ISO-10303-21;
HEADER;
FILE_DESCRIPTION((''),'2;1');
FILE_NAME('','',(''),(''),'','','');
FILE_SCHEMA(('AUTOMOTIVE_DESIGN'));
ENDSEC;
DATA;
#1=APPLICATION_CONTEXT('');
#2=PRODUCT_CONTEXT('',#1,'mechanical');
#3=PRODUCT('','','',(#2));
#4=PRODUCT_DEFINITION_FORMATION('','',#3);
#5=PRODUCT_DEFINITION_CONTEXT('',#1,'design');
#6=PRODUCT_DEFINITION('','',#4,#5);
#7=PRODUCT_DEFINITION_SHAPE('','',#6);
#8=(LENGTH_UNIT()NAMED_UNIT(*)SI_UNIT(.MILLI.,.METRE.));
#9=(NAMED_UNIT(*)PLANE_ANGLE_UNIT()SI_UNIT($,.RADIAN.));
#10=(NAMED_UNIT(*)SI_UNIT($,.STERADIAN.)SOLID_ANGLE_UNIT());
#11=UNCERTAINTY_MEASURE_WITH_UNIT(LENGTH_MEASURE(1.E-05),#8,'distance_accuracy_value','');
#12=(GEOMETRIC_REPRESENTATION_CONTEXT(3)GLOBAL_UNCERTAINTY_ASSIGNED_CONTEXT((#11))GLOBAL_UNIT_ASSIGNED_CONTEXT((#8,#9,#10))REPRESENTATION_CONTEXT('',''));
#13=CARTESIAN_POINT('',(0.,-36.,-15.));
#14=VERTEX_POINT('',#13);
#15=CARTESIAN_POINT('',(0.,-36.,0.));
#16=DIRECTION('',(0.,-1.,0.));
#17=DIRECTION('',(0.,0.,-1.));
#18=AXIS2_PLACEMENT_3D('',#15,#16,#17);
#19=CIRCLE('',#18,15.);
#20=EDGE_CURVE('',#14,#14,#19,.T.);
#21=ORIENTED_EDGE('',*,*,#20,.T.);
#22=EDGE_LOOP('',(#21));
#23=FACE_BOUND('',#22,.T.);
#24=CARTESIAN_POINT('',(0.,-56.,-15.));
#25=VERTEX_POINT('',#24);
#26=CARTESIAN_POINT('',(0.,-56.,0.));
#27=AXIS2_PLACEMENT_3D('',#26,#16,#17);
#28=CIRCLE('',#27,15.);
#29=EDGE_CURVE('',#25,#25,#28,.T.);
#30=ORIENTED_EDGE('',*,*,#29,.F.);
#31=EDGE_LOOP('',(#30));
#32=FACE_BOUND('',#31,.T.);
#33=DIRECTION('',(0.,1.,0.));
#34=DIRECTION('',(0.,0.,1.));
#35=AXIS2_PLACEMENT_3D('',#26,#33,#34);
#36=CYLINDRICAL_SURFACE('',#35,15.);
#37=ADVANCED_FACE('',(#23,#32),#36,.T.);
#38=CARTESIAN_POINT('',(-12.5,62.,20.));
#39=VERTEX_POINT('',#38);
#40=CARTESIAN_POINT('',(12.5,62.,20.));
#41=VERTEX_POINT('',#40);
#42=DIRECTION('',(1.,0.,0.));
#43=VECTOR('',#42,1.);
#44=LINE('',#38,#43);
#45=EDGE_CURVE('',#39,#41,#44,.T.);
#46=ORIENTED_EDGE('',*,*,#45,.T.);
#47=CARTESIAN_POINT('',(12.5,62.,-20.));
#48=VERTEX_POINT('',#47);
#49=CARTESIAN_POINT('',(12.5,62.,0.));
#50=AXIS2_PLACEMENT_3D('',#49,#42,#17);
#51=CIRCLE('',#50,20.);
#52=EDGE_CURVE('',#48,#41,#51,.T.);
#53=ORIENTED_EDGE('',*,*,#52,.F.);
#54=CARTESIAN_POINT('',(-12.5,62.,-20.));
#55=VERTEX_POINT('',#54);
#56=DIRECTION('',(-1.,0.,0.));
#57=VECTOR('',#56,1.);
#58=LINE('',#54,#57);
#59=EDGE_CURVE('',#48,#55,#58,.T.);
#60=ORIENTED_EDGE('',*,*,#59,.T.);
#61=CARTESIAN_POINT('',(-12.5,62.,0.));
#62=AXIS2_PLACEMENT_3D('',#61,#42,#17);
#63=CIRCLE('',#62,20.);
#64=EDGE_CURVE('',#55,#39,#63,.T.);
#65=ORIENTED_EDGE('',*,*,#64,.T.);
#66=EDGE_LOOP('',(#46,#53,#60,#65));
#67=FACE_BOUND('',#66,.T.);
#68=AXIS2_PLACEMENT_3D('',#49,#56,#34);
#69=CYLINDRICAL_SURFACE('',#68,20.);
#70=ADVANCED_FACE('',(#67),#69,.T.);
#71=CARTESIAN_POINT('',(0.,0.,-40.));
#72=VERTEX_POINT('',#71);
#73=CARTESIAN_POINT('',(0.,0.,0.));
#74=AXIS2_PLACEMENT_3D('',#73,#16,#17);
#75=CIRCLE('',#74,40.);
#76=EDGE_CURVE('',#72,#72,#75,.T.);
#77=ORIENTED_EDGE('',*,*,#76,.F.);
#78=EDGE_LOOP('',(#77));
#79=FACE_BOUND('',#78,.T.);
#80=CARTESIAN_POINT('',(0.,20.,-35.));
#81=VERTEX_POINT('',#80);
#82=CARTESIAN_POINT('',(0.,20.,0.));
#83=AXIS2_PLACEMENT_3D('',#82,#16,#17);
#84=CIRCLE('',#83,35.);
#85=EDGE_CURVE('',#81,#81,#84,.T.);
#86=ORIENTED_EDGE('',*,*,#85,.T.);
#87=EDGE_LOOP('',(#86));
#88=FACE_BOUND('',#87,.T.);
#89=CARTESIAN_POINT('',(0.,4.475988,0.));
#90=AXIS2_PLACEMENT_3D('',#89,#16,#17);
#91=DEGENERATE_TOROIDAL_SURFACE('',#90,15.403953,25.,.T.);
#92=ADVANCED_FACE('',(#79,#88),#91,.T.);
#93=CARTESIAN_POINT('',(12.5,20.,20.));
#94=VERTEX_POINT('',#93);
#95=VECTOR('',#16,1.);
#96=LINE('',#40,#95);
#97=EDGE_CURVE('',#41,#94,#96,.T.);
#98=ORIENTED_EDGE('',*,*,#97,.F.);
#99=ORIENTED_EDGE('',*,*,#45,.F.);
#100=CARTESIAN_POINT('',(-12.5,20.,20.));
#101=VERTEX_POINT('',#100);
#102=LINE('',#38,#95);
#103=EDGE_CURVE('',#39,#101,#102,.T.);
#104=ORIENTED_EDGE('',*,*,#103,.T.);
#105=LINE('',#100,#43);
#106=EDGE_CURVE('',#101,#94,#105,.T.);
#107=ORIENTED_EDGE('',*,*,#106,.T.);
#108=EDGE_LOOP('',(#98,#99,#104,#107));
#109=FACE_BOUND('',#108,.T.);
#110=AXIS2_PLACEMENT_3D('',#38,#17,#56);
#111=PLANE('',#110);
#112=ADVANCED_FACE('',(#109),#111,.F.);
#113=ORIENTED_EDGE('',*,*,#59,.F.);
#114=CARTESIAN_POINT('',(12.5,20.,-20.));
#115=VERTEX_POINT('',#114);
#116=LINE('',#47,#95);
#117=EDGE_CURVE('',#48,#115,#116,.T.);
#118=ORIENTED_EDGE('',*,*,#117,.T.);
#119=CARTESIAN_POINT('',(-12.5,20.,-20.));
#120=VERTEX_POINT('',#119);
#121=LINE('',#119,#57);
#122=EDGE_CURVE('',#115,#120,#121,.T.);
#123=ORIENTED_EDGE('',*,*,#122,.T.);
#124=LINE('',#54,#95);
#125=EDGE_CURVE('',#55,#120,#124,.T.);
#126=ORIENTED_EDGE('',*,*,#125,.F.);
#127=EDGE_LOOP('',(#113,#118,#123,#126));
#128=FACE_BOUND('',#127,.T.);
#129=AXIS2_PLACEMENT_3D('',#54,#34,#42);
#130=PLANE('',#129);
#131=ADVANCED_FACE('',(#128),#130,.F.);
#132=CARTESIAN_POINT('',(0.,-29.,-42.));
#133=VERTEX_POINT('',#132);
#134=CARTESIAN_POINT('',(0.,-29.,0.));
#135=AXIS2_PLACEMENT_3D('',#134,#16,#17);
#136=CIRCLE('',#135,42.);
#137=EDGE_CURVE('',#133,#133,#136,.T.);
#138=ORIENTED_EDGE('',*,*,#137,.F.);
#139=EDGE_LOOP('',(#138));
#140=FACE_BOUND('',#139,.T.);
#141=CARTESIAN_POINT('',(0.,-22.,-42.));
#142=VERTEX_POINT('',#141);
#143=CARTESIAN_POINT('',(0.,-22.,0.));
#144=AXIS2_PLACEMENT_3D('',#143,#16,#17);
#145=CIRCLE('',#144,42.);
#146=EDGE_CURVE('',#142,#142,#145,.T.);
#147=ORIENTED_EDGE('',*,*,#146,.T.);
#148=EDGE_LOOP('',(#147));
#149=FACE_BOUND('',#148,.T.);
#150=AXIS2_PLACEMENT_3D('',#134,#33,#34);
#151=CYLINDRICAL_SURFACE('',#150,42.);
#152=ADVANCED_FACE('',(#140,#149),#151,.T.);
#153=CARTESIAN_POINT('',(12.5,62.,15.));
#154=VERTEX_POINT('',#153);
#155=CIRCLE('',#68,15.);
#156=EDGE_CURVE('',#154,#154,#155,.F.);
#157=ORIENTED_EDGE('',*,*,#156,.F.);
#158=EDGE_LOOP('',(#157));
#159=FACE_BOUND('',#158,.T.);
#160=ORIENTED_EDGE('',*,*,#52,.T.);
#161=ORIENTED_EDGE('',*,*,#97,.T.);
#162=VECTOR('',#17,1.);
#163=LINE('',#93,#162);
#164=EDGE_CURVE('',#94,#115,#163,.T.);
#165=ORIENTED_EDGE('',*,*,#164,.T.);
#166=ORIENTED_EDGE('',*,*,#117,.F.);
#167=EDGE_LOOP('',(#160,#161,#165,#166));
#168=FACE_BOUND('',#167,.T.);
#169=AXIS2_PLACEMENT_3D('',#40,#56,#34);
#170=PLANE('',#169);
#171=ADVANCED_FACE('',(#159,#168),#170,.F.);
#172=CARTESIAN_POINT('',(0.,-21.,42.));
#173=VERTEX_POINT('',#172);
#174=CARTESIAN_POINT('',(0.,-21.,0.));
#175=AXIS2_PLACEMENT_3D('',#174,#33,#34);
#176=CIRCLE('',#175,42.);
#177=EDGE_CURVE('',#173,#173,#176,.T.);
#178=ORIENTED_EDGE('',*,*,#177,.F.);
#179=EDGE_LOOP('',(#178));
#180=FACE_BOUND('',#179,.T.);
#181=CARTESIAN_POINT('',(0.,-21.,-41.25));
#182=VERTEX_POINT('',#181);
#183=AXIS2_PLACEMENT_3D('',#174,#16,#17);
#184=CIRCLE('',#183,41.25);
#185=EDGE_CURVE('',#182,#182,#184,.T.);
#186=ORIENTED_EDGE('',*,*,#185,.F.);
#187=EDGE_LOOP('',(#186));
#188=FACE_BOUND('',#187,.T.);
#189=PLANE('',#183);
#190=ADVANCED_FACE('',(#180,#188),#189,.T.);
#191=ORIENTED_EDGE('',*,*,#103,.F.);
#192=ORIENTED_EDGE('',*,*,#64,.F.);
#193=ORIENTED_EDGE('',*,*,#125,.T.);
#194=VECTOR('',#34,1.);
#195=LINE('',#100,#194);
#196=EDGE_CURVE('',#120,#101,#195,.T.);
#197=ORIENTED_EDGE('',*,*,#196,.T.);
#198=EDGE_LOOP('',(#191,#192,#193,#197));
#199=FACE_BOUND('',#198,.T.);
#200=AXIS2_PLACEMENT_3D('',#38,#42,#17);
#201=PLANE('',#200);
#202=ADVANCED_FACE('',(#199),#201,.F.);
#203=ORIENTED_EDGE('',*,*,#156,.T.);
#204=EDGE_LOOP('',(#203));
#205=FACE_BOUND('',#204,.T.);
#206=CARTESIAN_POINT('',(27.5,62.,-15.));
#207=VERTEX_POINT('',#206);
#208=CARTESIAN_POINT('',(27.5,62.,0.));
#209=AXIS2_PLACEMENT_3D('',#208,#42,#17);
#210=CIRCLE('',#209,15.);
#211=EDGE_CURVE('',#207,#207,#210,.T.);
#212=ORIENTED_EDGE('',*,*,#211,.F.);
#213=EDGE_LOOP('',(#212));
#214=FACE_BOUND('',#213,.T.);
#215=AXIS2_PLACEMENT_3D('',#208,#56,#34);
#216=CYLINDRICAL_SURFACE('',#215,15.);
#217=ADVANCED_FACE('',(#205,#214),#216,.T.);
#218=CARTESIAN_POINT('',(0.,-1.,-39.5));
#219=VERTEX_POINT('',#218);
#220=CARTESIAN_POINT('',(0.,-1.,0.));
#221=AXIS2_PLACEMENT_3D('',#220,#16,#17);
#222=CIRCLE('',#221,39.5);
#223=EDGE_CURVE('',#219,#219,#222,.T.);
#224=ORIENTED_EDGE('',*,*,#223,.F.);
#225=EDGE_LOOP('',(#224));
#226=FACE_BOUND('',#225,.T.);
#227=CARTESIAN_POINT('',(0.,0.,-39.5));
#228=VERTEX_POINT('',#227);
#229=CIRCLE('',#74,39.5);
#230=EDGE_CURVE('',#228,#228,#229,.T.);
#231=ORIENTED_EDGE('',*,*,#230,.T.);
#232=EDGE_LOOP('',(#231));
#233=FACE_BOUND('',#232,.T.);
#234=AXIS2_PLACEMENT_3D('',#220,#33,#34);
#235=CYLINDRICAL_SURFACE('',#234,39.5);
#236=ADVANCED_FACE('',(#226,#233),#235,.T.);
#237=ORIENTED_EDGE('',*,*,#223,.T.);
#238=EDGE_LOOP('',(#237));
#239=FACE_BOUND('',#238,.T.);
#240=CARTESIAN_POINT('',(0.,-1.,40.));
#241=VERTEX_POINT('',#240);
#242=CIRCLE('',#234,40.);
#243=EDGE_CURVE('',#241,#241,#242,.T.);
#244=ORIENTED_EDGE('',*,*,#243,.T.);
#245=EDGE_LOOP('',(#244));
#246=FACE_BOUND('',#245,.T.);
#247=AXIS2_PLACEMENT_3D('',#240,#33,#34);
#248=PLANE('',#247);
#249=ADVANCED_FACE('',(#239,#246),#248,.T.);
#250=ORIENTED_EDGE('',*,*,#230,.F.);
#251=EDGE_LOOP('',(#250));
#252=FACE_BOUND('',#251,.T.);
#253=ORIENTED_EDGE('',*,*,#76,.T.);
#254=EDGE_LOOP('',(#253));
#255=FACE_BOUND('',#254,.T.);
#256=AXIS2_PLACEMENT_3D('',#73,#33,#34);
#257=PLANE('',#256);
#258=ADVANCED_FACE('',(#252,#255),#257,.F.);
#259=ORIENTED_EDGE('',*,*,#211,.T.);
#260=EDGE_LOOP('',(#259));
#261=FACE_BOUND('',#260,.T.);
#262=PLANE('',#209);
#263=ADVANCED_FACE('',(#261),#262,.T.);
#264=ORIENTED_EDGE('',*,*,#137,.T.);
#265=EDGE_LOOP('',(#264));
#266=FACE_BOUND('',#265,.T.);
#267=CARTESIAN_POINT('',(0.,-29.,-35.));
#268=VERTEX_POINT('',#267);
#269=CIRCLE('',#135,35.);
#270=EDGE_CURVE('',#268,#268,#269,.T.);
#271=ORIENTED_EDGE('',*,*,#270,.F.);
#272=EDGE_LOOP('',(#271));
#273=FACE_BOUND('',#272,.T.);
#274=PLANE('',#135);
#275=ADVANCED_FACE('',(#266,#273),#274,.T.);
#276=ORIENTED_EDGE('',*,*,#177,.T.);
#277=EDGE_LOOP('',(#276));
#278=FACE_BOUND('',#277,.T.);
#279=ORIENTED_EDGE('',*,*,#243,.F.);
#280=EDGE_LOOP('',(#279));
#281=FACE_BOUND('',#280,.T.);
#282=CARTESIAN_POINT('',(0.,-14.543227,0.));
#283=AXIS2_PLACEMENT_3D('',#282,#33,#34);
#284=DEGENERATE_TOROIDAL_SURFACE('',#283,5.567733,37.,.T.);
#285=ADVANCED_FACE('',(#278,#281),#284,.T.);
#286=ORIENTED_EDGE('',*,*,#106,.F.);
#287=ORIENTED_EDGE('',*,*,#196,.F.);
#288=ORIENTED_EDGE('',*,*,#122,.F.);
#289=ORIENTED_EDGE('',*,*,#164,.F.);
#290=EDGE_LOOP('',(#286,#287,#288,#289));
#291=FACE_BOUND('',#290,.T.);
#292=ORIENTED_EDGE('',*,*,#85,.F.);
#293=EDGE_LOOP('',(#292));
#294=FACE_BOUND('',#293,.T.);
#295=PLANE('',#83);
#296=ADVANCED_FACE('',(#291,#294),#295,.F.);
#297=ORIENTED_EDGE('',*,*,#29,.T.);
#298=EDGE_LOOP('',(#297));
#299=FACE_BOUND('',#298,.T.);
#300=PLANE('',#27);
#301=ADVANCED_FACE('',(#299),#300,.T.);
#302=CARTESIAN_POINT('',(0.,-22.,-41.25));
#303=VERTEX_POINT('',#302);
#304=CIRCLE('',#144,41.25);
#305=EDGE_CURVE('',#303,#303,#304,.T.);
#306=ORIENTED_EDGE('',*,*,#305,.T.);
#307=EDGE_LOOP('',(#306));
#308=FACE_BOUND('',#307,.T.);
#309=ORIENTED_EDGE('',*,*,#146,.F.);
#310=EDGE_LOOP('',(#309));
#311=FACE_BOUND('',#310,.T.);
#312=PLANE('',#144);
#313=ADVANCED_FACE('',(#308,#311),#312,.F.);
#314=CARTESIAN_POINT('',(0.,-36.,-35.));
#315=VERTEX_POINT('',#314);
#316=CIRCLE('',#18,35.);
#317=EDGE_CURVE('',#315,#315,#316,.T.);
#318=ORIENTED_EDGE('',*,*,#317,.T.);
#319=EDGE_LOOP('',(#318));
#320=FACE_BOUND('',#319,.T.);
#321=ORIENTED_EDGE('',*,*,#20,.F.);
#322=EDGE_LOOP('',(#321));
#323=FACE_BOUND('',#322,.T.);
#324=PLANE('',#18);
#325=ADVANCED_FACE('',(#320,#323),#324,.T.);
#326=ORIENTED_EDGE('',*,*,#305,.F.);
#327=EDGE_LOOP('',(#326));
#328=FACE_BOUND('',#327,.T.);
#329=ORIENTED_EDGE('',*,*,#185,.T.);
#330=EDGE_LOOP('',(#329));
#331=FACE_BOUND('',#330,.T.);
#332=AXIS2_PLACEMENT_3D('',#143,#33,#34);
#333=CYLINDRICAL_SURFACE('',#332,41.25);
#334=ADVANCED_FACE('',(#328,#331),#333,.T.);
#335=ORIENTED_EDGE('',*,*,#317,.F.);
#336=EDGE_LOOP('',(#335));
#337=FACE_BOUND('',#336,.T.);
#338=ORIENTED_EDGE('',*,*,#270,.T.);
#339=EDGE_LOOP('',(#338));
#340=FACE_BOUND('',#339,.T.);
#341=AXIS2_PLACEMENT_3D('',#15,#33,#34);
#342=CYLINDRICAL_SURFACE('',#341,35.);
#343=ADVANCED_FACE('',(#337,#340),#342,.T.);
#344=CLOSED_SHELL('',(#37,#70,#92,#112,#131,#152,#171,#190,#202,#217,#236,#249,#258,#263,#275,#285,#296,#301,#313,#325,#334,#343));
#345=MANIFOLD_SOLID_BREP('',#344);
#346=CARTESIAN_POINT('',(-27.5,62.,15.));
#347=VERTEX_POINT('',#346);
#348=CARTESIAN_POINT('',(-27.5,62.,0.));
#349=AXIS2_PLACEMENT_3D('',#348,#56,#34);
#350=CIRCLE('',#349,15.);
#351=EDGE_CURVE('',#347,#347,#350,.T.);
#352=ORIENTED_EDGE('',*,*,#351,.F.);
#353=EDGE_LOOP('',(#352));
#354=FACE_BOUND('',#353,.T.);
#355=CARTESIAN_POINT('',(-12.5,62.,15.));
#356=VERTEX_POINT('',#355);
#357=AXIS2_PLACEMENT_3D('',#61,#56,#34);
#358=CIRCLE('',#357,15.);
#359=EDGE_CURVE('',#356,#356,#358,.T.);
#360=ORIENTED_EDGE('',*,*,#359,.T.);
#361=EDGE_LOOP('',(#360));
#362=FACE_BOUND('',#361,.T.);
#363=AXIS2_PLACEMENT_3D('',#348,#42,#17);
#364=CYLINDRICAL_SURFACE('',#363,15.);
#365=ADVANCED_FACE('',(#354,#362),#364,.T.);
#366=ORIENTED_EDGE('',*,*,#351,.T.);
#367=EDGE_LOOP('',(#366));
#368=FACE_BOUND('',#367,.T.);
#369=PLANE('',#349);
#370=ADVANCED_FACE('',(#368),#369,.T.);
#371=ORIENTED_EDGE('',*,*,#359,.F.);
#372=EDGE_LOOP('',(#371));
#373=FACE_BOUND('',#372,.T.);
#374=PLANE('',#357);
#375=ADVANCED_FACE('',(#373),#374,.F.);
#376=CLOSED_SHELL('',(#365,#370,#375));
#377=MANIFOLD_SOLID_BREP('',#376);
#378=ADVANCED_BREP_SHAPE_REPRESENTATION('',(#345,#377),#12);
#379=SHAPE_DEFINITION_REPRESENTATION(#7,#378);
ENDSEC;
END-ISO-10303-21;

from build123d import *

# Parameters (mm, degrees)
SKETCH2_R           = 39.5
BOSS_EXTRUDE1_DEPTH = 1
SKETCH4_R           = 41.25
BOSS_EXTRUDE2_DEPTH = 1
SKETCH5_R           = 42
BOSS_EXTRUDE3_DEPTH = 7
SKETCH6_R           = 35
BOSS_EXTRUDE4_DEPTH = 7
SKETCH7_R           = 15
BOSS_EXTRUDE5_DEPTH = 20
SKETCH8_W           = 25
SKETCH8_H           = 40
BOSS_EXTRUDE6_DEPTH = 42
BOSS_EXTRUDE7_DEPTH = 12.5
SKETCH11_R          = 15
BOSS_EXTRUDE8_DEPTH = 15
SKETCH12_R          = 15
BOSS_EXTRUDE9_DEPTH = 15


with BuildPart() as part:
    # Sketch1 → Revolve1 (revolve)
    with BuildSketch(Plane.XY, mode=Mode.PRIVATE) as revolve1_sk:
        with BuildLine():
            Line((0, 0), (0, 20))
            Line((0, 20), (-35, 20))
            ThreePointArc((-35, 20), (-39.657515479, 10.53937887), (-40, 0))
            Line((-40, 0), (0, 0))
        make_face()
    revolve(revolve1_sk.sketch.rotate(Axis((0, 0, 0), (0, 1, 0)), 270), axis=Axis((0, 0, 0), (0, 1, 0)))

    # Sketch2 → Boss-Extrude1 (add)
    with BuildSketch(Plane.XZ):
        with Locations(Location((0, 0, 0), (0, 0, 270))):
            Circle(SKETCH2_R)
    extrude(amount=BOSS_EXTRUDE1_DEPTH)

    # Sketch3 → Revolve2 (revolve)
    with BuildSketch(Plane(origin=(0, 0, 0), x_dir=(0, 0, -1), z_dir=(1, 0, 0)), mode=Mode.PRIVATE) as revolve2_sk:
        with BuildLine():
            Line((-40, -1), (0, -1))
            Line((0, -1), (0, -21))
            Line((0, -21), (-42, -21))
            ThreePointArc((-42, -21), (-42.384109041, -10.861589096), (-40, -1))
        make_face()
    revolve(revolve2_sk.sketch.rotate(Axis((0, -1, 0), (0, -1, 0)), 180), axis=Axis((0, -1, 0), (0, -1, 0)))

    # Sketch4 → Boss-Extrude2 (add)
    with BuildSketch(Plane.XZ.offset(21)):
        with Locations(Location((0, 0, 0), (0, 0, 270))):
            Circle(SKETCH4_R)
    extrude(amount=BOSS_EXTRUDE2_DEPTH)

    # Sketch5 → Boss-Extrude3 (add)
    with BuildSketch(Plane.XZ.offset(22)):
        with Locations(Location((0, 0, 0), (0, 0, 270))):
            Circle(SKETCH5_R)
    extrude(amount=BOSS_EXTRUDE3_DEPTH)

    # Sketch6 → Boss-Extrude4 (add)
    with BuildSketch(Plane.XZ.offset(29)):
        with Locations(Location((0, 0, 0), (0, 0, 270))):
            Circle(SKETCH6_R)
    extrude(amount=BOSS_EXTRUDE4_DEPTH)

    # Sketch7 → Boss-Extrude5 (add)
    with BuildSketch(Plane.XZ.offset(36)):
        with Locations(Location((0, 0, 0), (0, 0, 270))):
            Circle(SKETCH7_R)
    extrude(amount=BOSS_EXTRUDE5_DEPTH)

    # Sketch8 → Boss-Extrude6 (add)
    with BuildSketch(Plane(origin=(0, 20, 0), x_dir=(1, 0, 0), z_dir=(0, 1, 0))):
        Rectangle(SKETCH8_W, SKETCH8_H)
    extrude(amount=BOSS_EXTRUDE6_DEPTH)

    # Sketch10 → Boss-Extrude7 (add, symmetric)
    with BuildSketch(Plane(origin=(0, 0, 0), x_dir=(0, 0, -1), z_dir=(1, 0, 0))):
        with BuildLine():
            Line((20, 62), (-20, 62))
            ThreePointArc((-20, 62), (0, 82), (20, 62))
        make_face()
    extrude(amount=BOSS_EXTRUDE7_DEPTH, both=True)

    # Sketch12 → Boss-Extrude9 (add)
    with BuildSketch(Plane(origin=(12.5, 0, 0), x_dir=(0, 0, -1), z_dir=(1, 0, 0))):
        with Locations(Location((0, 62, 0), (0, 0, 180))):
            Circle(SKETCH12_R)
    extrude(amount=BOSS_EXTRUDE9_DEPTH)


with BuildPart() as body_2:
    # Sketch11 → Boss-Extrude8 (new body)
    with BuildSketch(Plane.ZY.offset(12.5)):
        with Locations((0, 62)):
            Circle(SKETCH11_R)
    extrude(amount=BOSS_EXTRUDE8_DEPTH)


solid = Compound([part.part, body_2.part])
